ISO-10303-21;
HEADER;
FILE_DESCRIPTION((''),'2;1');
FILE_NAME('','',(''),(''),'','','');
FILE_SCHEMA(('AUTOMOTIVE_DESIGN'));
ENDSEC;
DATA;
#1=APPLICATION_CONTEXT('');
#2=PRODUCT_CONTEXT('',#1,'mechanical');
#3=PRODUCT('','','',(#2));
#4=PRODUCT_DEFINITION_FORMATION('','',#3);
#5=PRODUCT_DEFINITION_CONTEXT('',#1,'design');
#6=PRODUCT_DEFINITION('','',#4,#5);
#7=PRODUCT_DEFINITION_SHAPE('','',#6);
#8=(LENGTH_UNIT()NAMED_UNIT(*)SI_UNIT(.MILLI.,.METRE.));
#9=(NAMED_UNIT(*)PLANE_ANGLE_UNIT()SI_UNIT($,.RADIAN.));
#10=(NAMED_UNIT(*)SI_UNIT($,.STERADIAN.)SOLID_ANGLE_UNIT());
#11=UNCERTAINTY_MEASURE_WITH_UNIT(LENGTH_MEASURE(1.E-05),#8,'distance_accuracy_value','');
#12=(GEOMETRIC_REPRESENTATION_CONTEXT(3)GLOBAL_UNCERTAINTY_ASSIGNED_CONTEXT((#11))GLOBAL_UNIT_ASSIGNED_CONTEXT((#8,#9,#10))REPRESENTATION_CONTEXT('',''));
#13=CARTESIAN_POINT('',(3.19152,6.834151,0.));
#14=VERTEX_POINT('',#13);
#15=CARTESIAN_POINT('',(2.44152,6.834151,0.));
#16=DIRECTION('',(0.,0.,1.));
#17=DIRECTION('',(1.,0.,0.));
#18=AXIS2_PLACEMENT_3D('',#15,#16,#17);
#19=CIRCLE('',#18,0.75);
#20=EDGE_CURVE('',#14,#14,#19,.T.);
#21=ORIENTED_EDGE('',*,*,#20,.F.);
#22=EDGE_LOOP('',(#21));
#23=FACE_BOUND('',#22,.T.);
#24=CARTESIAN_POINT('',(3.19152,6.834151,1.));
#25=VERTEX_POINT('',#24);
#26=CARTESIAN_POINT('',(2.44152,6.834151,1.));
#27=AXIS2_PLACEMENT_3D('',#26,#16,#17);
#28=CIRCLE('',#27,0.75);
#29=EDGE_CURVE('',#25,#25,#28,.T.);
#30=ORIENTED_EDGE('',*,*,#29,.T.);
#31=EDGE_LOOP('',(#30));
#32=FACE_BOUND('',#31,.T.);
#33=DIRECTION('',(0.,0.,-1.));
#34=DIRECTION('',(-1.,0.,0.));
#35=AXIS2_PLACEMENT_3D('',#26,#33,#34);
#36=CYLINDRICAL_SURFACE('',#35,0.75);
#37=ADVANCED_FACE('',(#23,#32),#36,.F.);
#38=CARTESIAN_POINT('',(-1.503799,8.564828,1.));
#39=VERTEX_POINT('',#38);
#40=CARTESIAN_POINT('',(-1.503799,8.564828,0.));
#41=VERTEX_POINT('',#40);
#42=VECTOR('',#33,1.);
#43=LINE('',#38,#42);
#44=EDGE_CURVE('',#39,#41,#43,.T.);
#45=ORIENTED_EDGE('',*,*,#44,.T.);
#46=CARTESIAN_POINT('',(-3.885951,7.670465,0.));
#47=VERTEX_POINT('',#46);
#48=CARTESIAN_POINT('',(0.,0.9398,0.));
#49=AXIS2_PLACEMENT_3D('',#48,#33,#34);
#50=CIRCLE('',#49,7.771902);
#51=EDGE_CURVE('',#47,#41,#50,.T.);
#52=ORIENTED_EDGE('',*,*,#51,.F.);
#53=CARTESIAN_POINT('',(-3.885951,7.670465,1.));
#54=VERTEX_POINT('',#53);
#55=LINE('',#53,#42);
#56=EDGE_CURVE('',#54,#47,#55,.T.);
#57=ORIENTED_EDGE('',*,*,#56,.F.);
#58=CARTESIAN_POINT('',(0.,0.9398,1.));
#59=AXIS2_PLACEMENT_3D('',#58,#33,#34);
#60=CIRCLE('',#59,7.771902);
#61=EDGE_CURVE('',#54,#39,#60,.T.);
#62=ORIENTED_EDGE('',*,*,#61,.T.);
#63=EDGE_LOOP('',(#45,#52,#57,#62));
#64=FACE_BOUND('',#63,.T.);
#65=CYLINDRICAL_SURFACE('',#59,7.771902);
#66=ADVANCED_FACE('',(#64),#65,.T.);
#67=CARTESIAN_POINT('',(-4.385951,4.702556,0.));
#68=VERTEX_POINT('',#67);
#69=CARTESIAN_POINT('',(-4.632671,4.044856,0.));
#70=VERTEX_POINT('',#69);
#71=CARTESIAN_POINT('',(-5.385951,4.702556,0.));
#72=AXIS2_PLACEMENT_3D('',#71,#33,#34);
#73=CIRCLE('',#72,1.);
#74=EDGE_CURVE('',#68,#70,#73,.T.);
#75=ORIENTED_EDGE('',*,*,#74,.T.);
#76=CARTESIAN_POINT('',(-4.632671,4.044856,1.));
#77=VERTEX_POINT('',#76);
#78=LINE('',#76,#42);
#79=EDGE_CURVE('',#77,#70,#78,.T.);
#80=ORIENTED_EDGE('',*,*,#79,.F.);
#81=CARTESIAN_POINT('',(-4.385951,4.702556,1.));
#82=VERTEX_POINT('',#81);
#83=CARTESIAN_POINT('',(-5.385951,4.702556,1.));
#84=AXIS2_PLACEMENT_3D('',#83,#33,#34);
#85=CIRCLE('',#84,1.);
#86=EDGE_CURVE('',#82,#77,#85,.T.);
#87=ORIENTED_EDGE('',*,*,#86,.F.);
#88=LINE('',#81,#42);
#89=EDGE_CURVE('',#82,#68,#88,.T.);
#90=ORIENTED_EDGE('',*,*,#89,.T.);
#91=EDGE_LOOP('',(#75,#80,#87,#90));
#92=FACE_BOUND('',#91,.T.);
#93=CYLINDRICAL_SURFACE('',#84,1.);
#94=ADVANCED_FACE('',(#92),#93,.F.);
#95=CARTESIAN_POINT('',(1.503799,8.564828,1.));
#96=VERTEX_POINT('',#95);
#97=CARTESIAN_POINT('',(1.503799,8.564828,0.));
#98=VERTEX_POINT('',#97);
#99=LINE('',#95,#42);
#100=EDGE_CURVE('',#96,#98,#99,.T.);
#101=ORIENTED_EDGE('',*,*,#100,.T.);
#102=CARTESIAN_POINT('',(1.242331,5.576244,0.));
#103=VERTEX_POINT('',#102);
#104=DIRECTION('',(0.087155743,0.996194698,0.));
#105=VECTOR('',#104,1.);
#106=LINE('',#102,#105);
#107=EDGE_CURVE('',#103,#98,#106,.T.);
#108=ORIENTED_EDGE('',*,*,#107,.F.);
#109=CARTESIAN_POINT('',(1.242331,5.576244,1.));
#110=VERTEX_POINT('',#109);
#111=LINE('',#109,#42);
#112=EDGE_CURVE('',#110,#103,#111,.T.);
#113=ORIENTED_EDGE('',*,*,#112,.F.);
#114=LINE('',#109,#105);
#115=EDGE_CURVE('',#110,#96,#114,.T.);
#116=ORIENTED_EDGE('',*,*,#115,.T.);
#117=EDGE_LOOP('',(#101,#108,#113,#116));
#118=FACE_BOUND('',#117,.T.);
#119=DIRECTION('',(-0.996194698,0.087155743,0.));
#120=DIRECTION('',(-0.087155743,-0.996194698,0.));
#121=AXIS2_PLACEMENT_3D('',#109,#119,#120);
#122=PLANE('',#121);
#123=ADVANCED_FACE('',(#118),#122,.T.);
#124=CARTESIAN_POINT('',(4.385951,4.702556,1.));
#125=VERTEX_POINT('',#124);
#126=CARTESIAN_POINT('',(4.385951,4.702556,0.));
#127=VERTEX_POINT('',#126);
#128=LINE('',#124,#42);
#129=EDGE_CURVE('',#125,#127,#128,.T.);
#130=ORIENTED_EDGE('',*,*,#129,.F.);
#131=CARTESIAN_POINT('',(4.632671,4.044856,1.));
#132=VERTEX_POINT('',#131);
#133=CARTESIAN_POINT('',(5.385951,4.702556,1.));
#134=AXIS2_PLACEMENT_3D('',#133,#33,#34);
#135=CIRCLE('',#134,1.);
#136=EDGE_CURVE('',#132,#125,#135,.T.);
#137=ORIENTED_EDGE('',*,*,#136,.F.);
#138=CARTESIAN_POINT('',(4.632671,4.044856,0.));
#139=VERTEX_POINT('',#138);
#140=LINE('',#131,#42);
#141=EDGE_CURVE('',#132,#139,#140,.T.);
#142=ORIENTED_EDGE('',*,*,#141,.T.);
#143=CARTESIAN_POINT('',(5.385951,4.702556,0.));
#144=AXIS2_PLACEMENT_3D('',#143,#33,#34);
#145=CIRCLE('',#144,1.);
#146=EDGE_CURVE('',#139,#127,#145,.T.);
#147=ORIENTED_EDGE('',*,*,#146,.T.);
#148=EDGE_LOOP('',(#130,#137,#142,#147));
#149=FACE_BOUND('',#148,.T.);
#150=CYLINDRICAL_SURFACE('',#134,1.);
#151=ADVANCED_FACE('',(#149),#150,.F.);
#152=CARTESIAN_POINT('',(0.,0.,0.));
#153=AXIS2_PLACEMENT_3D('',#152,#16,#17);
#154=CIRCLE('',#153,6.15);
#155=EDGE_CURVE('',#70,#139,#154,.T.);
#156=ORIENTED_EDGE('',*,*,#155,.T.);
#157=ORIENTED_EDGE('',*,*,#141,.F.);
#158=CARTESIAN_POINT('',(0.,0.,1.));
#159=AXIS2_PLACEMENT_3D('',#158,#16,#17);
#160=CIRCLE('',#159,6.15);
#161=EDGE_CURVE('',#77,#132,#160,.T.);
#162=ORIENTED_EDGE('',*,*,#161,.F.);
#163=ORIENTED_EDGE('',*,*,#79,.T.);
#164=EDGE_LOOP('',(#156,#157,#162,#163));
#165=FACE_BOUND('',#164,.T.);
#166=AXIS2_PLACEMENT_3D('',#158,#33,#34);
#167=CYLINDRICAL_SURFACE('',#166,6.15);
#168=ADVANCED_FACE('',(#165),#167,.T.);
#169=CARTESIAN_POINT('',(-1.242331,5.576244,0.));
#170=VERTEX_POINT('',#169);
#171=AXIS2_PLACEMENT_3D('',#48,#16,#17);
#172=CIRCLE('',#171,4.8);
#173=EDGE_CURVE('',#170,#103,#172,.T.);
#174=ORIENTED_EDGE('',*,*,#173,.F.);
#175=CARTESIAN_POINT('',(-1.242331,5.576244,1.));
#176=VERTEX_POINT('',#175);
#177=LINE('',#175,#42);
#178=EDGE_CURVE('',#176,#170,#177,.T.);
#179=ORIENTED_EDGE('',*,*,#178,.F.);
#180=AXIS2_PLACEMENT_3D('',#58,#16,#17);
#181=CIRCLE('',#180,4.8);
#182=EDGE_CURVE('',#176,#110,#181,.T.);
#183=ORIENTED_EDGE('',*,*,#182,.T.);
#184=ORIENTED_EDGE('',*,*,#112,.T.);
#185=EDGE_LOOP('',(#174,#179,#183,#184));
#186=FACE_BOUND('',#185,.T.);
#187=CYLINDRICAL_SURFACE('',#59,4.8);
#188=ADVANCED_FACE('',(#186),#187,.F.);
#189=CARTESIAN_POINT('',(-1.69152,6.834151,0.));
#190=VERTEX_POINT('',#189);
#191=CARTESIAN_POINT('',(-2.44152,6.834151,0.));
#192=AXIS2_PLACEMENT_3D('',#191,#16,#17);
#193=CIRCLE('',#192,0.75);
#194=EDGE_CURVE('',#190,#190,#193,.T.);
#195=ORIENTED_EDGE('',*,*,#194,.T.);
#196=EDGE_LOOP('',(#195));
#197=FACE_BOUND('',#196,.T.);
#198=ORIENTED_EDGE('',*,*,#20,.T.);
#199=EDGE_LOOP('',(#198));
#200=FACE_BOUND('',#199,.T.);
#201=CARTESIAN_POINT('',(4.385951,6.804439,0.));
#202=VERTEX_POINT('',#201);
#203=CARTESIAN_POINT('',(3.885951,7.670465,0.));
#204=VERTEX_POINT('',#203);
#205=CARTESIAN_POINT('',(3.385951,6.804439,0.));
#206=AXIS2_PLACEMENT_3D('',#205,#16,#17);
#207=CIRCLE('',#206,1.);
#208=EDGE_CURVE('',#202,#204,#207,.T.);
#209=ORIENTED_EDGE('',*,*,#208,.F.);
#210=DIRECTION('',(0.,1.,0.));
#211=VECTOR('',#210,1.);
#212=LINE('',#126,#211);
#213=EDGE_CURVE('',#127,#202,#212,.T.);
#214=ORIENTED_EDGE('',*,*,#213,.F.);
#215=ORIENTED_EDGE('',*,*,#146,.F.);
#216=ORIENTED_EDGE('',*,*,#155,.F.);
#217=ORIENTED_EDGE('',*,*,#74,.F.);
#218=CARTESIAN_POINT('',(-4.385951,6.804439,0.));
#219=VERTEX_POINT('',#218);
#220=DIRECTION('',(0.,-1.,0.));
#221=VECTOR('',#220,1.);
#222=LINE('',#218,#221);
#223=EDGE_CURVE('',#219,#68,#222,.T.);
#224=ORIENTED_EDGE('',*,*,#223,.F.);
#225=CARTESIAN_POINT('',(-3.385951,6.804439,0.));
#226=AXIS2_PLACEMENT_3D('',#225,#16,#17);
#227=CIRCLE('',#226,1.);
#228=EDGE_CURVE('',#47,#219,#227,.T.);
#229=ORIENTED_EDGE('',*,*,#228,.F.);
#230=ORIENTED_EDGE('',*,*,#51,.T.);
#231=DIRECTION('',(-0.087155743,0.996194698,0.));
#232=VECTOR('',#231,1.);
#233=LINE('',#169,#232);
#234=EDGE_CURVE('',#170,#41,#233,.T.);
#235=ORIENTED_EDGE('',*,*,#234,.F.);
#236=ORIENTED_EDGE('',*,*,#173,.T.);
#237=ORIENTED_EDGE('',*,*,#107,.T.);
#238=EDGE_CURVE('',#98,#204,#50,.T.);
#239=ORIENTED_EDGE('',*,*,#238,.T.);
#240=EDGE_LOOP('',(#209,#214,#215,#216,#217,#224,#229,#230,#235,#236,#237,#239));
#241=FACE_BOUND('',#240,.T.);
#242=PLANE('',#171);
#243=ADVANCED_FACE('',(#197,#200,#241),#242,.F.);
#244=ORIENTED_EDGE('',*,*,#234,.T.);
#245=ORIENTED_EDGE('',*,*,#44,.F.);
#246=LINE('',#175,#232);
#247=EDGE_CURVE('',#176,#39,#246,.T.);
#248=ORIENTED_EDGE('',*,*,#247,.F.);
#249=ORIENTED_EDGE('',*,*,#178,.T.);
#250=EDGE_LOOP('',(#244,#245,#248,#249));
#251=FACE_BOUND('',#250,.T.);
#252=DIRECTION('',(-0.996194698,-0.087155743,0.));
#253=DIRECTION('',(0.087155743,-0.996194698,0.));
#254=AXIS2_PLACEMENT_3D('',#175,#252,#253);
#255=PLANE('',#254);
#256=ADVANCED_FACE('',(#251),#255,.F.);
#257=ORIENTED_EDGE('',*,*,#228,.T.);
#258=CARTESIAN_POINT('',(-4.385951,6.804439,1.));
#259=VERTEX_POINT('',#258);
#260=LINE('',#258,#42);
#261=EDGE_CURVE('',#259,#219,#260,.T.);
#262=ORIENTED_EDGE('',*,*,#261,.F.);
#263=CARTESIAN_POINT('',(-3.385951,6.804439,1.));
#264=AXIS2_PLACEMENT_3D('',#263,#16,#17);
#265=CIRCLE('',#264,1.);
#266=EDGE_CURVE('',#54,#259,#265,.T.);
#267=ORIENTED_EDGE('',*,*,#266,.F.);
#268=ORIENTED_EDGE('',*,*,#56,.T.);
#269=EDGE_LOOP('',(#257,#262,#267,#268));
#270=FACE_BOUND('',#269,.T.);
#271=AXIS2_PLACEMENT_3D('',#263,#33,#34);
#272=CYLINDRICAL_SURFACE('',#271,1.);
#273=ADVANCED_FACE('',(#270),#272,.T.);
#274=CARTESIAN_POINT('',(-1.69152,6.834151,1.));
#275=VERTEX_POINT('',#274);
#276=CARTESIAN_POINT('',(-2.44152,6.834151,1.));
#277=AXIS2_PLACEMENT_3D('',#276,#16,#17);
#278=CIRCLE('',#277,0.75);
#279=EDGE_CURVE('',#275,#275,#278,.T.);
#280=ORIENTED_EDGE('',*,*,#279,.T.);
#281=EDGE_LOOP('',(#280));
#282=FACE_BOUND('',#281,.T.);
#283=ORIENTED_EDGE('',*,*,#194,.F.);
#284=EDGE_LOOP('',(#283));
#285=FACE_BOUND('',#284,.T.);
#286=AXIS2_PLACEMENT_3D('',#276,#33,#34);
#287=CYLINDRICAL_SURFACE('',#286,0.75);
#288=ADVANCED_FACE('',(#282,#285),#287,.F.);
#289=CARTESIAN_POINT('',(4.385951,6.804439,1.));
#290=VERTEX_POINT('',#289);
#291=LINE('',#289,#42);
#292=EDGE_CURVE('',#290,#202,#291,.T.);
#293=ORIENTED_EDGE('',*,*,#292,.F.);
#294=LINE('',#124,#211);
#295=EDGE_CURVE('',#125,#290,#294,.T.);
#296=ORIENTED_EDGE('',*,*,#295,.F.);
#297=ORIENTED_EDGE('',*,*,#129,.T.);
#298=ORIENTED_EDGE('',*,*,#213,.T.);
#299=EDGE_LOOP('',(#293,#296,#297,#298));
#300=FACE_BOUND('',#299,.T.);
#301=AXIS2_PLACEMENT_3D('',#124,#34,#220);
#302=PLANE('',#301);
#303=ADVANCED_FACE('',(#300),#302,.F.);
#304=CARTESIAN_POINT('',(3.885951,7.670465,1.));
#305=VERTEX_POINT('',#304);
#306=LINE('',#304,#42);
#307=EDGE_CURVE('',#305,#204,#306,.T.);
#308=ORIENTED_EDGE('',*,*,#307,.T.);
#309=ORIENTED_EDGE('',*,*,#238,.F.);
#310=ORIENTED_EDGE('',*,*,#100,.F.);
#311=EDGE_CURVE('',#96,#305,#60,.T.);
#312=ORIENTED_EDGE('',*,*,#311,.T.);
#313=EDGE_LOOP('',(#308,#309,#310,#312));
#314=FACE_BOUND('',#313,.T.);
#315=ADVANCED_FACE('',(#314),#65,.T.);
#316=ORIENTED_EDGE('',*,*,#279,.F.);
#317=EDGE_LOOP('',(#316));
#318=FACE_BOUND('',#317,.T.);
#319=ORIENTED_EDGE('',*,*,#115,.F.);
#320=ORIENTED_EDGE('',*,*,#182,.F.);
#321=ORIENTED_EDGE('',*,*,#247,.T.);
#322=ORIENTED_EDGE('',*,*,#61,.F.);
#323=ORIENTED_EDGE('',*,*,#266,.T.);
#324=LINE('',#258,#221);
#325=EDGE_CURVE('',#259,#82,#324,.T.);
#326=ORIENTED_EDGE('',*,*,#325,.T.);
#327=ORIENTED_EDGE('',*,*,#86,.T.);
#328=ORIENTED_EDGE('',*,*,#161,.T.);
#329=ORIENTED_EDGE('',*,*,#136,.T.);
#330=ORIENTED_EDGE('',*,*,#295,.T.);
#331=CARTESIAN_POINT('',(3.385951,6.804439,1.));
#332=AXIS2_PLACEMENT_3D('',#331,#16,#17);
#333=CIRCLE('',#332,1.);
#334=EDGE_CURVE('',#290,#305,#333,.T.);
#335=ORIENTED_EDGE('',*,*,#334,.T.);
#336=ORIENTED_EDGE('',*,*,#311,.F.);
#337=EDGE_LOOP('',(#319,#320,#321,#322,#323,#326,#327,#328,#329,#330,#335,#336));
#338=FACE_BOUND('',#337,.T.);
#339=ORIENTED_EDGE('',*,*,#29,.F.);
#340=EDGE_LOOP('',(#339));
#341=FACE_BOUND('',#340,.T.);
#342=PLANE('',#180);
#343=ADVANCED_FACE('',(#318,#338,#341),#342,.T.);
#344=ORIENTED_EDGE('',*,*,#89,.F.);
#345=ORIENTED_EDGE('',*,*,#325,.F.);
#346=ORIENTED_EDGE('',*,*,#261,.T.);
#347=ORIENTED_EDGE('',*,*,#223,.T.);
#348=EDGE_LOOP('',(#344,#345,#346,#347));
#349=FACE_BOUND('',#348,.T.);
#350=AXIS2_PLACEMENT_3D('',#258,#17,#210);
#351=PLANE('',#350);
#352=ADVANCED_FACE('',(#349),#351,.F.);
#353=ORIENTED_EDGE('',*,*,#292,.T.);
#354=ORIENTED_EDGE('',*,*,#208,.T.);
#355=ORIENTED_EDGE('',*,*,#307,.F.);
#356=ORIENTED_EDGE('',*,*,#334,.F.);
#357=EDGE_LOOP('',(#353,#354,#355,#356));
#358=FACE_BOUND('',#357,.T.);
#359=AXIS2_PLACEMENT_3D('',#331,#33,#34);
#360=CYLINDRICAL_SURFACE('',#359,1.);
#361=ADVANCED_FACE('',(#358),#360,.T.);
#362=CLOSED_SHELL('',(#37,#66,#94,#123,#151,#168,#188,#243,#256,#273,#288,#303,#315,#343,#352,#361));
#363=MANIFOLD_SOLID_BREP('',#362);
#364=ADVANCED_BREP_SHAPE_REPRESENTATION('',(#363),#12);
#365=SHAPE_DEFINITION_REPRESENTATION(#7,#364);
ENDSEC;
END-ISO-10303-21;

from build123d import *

# Parameters (mm, degrees)
SKETCH1_R          = 0.75
BASE_EXTRUDE_DEPTH = 1


with BuildPart() as part:
    # Sketch1 → Base-Extrude (new body)
    with BuildSketch(Plane.XY):
        with BuildLine():
            Line((-4.385951083, 6.804439308), (-4.385951083, 4.702555787))
            ThreePointArc((-4.385951083, 4.702555787), (-4.449660564, 4.351329273), (-4.632671211, 4.044855677))
            ThreePointArc((-4.632671211, 4.044855677), (0, -6.15), (4.632671211, 4.044855677))
            ThreePointArc((4.632671211, 4.044855677), (4.449660564, 4.351329273), (4.385951083, 4.702555787))
            Line((4.385951083, 4.702555787), (4.385951083, 6.804439308))
            ThreePointArc((4.385951083, 6.804439308), (4.251976487, 7.304439308), (3.885951083, 7.670464712))
            ThreePointArc((3.885951083, 7.670464712), (2.731725093, 8.215797616), (1.503798645, 8.56482806))
            Line((1.503798645, 8.56482806), (1.242331416, 5.576243966))
            ThreePointArc((1.242331416, 5.576243966), (0, -3.8602), (-1.242331416, 5.576243966))
            Line((-1.242331416, 5.576243966), (-1.503798645, 8.56482806))
            ThreePointArc((-1.503798645, 8.56482806), (-2.731725093, 8.215797616), (-3.885951083, 7.670464712))
            ThreePointArc((-3.885951083, 7.670464712), (-4.251976487, 7.304439308), (-4.385951083, 6.804439308))
        make_face()
        with Locations((-2.441520298, 6.834151417)):
            Circle(SKETCH1_R, mode=Mode.SUBTRACT)
        with Locations((2.441520298, 6.834151417)):
            Circle(SKETCH1_R, mode=Mode.SUBTRACT)
    extrude(amount=BASE_EXTRUDE_DEPTH)


solid = part.part
